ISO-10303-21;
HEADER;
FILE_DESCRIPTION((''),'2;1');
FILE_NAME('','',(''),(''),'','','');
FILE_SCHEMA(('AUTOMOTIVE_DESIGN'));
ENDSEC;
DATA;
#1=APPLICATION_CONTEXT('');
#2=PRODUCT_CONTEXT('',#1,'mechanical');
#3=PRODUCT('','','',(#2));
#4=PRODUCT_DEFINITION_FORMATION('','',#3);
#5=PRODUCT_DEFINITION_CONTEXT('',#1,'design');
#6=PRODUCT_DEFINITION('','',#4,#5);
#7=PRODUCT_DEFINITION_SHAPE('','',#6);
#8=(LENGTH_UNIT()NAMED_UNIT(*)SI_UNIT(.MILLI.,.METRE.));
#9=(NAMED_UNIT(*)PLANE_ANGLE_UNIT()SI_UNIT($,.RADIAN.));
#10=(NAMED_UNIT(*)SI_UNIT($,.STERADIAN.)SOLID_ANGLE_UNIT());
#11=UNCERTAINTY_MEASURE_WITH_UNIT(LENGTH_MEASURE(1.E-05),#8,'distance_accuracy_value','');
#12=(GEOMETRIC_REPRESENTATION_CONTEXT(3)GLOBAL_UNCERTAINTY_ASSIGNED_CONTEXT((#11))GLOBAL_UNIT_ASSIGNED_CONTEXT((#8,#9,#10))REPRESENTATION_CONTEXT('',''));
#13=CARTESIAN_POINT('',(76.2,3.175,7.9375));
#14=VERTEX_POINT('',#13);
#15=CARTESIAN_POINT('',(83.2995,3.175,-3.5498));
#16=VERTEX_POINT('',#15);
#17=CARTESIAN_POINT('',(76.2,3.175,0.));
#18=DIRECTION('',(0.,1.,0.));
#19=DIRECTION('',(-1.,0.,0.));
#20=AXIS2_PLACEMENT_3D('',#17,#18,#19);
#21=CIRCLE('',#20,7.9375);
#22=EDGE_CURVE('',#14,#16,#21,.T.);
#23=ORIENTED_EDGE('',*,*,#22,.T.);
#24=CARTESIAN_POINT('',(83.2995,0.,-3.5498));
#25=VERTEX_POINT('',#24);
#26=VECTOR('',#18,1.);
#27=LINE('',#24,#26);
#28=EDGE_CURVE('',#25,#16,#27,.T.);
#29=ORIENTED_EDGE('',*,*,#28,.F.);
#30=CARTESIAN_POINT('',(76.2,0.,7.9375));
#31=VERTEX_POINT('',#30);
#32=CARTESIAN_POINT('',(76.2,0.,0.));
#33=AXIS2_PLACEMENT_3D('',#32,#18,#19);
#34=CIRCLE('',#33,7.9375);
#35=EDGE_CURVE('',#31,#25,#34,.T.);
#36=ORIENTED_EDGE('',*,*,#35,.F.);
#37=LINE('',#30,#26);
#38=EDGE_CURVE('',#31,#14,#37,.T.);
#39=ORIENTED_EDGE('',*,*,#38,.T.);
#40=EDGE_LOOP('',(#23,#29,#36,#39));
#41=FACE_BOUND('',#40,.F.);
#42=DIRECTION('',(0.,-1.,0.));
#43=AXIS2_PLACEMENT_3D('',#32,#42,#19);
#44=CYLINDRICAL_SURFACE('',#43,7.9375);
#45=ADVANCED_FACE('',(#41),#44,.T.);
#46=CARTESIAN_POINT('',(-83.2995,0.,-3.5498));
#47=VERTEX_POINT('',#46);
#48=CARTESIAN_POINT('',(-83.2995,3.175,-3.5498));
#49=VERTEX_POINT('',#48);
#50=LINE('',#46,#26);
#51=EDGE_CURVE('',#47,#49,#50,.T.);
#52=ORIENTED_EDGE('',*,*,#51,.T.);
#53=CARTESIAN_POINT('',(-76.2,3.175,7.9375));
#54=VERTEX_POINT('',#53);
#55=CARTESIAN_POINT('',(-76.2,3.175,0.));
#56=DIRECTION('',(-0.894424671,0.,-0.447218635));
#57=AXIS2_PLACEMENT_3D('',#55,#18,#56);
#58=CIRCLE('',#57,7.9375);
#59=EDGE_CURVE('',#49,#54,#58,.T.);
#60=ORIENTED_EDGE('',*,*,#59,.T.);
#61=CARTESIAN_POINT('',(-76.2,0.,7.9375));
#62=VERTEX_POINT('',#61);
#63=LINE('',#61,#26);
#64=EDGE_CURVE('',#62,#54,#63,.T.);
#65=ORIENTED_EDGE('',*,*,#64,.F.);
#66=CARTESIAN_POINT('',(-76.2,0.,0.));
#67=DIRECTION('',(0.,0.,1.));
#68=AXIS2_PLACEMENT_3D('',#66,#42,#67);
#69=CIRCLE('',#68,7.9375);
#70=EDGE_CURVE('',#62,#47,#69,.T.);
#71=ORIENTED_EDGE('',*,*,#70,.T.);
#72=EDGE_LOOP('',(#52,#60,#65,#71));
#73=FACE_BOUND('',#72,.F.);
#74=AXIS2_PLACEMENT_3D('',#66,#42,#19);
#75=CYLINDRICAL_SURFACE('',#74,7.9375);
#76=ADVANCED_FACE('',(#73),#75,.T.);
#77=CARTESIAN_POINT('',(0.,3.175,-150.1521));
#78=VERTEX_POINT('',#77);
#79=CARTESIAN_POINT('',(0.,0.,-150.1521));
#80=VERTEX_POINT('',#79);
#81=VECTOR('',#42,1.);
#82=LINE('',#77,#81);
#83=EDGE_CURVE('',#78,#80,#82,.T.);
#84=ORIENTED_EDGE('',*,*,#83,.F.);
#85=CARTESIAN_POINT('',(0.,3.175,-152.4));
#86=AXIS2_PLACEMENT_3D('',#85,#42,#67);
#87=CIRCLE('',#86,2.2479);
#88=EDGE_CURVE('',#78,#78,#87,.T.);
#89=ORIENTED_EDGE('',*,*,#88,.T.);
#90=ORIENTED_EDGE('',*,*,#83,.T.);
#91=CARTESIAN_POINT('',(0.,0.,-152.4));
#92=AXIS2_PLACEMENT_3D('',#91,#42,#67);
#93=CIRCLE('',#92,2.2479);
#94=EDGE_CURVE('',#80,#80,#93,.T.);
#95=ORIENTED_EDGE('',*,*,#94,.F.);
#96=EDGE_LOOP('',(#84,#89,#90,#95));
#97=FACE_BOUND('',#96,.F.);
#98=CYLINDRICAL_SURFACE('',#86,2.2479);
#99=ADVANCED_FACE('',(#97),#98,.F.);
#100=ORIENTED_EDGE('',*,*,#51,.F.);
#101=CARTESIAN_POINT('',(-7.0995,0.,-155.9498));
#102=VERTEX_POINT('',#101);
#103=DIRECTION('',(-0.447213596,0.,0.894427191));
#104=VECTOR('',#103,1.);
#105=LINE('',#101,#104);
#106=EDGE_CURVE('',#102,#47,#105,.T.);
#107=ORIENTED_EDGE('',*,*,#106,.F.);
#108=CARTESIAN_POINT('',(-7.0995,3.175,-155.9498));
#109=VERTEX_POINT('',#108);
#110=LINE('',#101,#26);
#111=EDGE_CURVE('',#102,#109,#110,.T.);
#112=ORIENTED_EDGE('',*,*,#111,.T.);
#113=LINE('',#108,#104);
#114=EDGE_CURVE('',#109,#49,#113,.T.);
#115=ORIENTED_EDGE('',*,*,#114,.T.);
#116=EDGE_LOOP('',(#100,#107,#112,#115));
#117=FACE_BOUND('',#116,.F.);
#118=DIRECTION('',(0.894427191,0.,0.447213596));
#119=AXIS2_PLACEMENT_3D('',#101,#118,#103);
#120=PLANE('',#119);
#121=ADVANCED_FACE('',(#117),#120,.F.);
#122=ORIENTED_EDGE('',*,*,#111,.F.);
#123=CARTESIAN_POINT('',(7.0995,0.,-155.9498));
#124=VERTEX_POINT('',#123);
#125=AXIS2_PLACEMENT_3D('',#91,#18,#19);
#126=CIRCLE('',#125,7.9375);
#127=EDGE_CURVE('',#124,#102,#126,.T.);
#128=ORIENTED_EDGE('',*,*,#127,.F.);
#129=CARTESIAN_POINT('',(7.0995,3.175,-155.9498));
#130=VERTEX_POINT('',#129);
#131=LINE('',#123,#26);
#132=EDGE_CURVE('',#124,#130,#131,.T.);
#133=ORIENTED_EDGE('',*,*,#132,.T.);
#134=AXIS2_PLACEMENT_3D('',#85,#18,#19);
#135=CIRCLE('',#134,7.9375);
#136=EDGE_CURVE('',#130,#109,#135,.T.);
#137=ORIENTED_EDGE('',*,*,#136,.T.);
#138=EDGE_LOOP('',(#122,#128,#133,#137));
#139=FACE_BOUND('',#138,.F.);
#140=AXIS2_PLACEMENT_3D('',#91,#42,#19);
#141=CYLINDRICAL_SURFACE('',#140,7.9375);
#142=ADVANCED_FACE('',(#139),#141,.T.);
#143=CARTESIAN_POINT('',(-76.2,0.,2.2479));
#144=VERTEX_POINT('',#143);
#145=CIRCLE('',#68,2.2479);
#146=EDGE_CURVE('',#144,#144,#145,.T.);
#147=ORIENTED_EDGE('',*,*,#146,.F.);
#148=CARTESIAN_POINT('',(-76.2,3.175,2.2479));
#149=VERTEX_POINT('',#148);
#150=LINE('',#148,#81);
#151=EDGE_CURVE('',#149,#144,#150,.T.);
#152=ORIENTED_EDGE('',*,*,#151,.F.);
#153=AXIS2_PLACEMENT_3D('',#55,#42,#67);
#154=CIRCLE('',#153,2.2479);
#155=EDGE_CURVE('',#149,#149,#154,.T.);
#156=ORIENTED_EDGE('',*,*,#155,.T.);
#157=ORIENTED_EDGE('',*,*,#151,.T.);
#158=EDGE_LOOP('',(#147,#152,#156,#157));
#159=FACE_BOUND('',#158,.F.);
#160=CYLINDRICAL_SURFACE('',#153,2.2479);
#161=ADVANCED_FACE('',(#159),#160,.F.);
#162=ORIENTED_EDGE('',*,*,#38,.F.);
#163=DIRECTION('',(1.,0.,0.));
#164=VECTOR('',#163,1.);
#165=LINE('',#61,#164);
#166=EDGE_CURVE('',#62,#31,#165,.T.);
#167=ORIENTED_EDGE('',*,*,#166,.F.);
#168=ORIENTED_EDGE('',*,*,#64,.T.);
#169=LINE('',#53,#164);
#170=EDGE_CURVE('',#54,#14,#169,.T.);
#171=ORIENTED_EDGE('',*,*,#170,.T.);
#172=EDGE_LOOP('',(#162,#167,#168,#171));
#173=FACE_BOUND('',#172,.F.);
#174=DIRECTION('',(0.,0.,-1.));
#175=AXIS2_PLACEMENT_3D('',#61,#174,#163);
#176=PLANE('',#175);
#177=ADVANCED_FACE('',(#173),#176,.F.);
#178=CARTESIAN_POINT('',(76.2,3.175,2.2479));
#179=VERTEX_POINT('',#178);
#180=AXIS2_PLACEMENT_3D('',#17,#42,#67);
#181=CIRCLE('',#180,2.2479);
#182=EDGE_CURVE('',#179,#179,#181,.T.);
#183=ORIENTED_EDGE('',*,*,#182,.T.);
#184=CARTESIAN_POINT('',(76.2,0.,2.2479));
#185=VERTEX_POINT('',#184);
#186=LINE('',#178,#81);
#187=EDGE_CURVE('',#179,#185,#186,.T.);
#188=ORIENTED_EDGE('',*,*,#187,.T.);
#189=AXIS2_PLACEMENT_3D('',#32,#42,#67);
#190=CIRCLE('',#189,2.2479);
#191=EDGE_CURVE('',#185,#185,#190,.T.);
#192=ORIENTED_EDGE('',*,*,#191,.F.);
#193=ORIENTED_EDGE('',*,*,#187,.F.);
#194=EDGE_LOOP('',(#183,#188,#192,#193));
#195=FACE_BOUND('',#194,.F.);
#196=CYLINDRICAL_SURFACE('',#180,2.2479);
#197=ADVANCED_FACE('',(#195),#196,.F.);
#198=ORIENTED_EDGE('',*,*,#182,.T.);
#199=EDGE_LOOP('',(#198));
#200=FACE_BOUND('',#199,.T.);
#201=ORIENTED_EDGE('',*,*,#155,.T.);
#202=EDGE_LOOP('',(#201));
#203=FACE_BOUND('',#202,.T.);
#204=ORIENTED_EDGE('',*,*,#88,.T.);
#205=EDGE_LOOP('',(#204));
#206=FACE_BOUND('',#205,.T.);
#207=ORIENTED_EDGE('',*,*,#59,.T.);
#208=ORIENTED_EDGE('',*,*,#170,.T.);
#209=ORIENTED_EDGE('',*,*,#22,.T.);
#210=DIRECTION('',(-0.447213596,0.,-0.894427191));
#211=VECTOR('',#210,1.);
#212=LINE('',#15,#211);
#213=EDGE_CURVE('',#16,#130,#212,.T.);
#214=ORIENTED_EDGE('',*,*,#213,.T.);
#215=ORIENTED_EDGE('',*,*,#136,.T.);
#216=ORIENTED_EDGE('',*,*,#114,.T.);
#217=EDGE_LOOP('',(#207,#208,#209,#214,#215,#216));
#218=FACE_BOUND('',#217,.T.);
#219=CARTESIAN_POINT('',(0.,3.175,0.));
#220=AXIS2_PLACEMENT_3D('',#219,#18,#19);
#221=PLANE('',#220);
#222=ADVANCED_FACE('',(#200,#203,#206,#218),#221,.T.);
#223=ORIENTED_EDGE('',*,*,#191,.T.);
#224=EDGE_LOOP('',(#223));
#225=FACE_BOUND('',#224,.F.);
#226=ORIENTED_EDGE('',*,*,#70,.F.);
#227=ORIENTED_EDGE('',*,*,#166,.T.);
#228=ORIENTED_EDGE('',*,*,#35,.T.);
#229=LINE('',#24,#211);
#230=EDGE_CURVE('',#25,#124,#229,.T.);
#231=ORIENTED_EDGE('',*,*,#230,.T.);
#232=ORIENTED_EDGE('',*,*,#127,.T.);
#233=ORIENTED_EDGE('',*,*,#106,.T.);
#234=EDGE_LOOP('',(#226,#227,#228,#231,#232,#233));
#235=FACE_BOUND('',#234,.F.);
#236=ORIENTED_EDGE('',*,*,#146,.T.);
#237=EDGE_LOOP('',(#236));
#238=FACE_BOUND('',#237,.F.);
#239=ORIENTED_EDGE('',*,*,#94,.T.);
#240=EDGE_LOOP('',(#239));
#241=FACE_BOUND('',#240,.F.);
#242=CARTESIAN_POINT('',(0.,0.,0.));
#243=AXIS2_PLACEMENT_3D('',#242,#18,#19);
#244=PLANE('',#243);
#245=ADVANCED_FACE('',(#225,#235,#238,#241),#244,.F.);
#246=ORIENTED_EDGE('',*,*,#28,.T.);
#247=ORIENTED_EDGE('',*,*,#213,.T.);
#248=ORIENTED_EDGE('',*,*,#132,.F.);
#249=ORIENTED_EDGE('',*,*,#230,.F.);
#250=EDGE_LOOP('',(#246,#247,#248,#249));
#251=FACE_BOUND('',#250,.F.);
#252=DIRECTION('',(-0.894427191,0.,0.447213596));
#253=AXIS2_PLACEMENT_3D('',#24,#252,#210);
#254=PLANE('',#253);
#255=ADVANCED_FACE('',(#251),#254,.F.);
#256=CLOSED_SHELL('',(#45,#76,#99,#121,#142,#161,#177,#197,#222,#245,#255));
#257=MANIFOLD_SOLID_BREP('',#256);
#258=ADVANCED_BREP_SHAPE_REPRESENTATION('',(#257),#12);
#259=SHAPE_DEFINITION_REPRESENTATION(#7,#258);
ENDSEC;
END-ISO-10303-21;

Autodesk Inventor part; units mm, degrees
ref_plane "YZ Plane" through (0, 0, 0) normal (1, 0, 0) x (0, 1, 0)
ref_plane "XZ Plane" through (0, 0, 0) normal (0, 1, 0) x (-1, 0, 0)
ref_plane "XY Plane" through (0, 0, 0) normal (0, 0, 1) x (1, 0, 0)
sketch "Sketch1" plane through (0, 0, 0) normal (0, 1, 0) x (-1, 0, 0)
  line L0 (76.2, 0) -> (-76.2, 0)
  line L1 (0, 0) -> (0, -152.4)
  line L2 (7.0995, -155.9498) -> (83.2995, -3.5498)
  line L3 (76.2, 7.9375) -> (-76.2, 7.9375)
  line L4 (-83.2995, -3.5498) -> (-7.0995, -155.9498)
  circle A0 centre (76.2, 0) radius 7.9375
  circle A1 centre (-76.2, 0) radius 7.9375
  circle A2 centre (0, -152.4) radius 7.9375
  dimension "d0" = 152.4
  dimension "d1" = 152.4
  dimension "d3" = 15.875
  dimension "d4" = 15.875
  dimension "d5" = 15.875
extrude "Extrusion1" add sketch "Sketch1" along normal blind 3.175
sketch "Sketch2" plane through (0, 3.175, 0) normal (0, 1, 0) x (1, 0, 0)
  arc A0 (-83.2995, 3.5498) -> (-76.2, -7.9375) centre (-76.2, 0) ccw projected
  line L0 (-76.2, -7.9375) -> (76.2, -7.9375) projected
  arc A1 (76.2, -7.9375) -> (83.2995, 3.5498) centre (76.2, 0) ccw projected
  line L1 (83.2995, 3.5498) -> (7.0995, 155.9498) projected
  arc A2 (7.0995, 155.9498) -> (-7.0995, 155.9498) centre (0, 152.4) ccw projected
  line L2 (-7.0995, 155.9498) -> (-83.2995, 3.5498) projected
  point P0 (0, 0)
hole "Hole1" at (-76.2, 3.175, 0) at (76.2, 3.175, 0) at (0, 3.175, -152.4) direction (0, -1, 0) diameter 4.4958 end through all clearance for "Countersunk Flat Head Screw ISO 2009/7046" size "M4" standard "ISO"
properties part number "Bed Support"
